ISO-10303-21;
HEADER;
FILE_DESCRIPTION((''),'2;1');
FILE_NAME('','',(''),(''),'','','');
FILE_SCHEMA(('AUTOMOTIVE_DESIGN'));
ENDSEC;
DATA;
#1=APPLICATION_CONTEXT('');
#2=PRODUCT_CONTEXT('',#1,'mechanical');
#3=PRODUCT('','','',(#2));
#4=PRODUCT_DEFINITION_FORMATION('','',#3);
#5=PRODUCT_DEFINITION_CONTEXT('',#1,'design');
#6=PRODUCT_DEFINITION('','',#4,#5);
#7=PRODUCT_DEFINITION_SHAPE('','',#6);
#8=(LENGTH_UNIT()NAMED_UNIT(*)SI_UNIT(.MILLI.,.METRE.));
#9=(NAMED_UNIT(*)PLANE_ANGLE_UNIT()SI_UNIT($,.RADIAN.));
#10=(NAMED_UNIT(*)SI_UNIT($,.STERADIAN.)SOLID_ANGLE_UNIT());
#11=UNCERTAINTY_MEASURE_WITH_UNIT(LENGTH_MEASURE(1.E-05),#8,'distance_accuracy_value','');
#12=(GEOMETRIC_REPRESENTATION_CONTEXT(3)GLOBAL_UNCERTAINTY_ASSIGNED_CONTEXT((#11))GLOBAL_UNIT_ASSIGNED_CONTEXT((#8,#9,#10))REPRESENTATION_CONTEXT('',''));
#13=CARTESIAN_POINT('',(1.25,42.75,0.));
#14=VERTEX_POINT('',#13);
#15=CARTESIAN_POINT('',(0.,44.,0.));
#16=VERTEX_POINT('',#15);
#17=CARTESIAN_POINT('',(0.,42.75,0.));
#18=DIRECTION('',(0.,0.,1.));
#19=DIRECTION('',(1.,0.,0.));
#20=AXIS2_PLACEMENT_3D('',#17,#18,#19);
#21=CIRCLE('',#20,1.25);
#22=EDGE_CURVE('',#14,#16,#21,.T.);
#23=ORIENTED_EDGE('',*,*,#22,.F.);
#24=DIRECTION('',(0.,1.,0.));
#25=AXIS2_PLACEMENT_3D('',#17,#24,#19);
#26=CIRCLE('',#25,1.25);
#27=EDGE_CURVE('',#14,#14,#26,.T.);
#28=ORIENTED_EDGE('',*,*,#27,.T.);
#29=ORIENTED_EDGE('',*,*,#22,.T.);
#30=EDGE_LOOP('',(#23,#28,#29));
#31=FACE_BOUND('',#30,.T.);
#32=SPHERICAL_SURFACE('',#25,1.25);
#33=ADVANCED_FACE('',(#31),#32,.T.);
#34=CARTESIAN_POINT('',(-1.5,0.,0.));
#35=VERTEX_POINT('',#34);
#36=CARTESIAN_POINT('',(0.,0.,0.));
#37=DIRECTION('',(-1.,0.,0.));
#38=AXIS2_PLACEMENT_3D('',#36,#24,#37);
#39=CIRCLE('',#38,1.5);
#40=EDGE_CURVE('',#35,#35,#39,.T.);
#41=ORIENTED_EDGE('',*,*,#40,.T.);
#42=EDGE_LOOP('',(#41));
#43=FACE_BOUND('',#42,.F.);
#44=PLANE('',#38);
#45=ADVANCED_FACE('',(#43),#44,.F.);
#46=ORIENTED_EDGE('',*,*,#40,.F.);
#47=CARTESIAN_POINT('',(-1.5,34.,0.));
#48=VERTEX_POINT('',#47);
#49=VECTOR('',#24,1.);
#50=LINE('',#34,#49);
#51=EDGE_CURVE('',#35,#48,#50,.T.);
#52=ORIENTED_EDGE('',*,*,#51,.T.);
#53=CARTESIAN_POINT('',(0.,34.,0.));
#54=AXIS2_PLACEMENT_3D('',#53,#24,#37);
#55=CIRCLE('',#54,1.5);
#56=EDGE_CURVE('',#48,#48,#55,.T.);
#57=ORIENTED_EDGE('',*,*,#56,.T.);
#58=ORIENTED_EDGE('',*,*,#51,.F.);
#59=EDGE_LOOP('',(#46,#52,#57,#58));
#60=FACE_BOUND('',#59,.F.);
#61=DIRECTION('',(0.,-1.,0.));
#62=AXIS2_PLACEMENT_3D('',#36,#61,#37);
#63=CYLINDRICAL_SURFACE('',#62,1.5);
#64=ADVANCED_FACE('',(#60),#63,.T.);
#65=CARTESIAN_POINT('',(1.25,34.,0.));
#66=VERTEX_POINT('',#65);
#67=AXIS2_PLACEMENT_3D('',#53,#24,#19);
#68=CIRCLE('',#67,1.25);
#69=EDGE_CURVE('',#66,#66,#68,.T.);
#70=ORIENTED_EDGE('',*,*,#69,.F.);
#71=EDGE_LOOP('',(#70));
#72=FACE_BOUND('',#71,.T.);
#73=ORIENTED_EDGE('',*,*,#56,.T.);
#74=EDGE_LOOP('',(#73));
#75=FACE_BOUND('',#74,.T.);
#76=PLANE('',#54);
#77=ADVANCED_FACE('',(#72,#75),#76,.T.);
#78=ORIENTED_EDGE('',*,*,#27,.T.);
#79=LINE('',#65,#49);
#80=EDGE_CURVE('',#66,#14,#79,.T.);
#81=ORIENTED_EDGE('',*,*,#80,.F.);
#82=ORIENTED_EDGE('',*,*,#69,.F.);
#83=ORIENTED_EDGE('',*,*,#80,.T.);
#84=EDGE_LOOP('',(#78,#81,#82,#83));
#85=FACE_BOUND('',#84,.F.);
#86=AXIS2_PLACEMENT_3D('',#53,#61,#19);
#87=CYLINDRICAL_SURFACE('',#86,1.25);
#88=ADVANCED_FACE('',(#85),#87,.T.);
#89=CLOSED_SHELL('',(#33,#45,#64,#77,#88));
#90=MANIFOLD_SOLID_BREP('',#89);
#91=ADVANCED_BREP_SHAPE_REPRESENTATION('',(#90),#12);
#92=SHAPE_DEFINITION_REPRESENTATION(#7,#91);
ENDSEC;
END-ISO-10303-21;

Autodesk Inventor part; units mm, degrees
ref_plane "YZ Plane" through (0, 0, 0) normal (1, 0, 0) x (0, 1, 0)
ref_plane "XZ Plane" through (0, 0, 0) normal (0, 1, 0) x (-1, 0, 0)
ref_plane "XY Plane" through (0, 0, 0) normal (0, 0, 1) x (1, 0, 0)
sketch "Sketch1" plane through (0, 0, 0) normal (0, 1, 0) x (-1, 0, 0)
  circle A0 centre (0, 0) radius 1.5
  dimension "d0" = 3
extrude "Extrusion1" add sketch "Sketch1" along normal blind 34
sketch "Sketch2" plane through (0, 34, 0) normal (0, 1, 0) x (1, 0, 0)
  circle A0 centre (0, 0) radius 1.25
  dimension "d3" = 2.5
extrude "Extrusion2" add sketch "Sketch2" along normal blind 10
thread "Thread1" size "M3x0.5" class "6g" standard "ANSI Metric M Profile" length 11 offset 23
fillet "Fillet1" radius 1.25 1 edges at (-1.25, 44, 0)
properties material "Stainless Steel"
